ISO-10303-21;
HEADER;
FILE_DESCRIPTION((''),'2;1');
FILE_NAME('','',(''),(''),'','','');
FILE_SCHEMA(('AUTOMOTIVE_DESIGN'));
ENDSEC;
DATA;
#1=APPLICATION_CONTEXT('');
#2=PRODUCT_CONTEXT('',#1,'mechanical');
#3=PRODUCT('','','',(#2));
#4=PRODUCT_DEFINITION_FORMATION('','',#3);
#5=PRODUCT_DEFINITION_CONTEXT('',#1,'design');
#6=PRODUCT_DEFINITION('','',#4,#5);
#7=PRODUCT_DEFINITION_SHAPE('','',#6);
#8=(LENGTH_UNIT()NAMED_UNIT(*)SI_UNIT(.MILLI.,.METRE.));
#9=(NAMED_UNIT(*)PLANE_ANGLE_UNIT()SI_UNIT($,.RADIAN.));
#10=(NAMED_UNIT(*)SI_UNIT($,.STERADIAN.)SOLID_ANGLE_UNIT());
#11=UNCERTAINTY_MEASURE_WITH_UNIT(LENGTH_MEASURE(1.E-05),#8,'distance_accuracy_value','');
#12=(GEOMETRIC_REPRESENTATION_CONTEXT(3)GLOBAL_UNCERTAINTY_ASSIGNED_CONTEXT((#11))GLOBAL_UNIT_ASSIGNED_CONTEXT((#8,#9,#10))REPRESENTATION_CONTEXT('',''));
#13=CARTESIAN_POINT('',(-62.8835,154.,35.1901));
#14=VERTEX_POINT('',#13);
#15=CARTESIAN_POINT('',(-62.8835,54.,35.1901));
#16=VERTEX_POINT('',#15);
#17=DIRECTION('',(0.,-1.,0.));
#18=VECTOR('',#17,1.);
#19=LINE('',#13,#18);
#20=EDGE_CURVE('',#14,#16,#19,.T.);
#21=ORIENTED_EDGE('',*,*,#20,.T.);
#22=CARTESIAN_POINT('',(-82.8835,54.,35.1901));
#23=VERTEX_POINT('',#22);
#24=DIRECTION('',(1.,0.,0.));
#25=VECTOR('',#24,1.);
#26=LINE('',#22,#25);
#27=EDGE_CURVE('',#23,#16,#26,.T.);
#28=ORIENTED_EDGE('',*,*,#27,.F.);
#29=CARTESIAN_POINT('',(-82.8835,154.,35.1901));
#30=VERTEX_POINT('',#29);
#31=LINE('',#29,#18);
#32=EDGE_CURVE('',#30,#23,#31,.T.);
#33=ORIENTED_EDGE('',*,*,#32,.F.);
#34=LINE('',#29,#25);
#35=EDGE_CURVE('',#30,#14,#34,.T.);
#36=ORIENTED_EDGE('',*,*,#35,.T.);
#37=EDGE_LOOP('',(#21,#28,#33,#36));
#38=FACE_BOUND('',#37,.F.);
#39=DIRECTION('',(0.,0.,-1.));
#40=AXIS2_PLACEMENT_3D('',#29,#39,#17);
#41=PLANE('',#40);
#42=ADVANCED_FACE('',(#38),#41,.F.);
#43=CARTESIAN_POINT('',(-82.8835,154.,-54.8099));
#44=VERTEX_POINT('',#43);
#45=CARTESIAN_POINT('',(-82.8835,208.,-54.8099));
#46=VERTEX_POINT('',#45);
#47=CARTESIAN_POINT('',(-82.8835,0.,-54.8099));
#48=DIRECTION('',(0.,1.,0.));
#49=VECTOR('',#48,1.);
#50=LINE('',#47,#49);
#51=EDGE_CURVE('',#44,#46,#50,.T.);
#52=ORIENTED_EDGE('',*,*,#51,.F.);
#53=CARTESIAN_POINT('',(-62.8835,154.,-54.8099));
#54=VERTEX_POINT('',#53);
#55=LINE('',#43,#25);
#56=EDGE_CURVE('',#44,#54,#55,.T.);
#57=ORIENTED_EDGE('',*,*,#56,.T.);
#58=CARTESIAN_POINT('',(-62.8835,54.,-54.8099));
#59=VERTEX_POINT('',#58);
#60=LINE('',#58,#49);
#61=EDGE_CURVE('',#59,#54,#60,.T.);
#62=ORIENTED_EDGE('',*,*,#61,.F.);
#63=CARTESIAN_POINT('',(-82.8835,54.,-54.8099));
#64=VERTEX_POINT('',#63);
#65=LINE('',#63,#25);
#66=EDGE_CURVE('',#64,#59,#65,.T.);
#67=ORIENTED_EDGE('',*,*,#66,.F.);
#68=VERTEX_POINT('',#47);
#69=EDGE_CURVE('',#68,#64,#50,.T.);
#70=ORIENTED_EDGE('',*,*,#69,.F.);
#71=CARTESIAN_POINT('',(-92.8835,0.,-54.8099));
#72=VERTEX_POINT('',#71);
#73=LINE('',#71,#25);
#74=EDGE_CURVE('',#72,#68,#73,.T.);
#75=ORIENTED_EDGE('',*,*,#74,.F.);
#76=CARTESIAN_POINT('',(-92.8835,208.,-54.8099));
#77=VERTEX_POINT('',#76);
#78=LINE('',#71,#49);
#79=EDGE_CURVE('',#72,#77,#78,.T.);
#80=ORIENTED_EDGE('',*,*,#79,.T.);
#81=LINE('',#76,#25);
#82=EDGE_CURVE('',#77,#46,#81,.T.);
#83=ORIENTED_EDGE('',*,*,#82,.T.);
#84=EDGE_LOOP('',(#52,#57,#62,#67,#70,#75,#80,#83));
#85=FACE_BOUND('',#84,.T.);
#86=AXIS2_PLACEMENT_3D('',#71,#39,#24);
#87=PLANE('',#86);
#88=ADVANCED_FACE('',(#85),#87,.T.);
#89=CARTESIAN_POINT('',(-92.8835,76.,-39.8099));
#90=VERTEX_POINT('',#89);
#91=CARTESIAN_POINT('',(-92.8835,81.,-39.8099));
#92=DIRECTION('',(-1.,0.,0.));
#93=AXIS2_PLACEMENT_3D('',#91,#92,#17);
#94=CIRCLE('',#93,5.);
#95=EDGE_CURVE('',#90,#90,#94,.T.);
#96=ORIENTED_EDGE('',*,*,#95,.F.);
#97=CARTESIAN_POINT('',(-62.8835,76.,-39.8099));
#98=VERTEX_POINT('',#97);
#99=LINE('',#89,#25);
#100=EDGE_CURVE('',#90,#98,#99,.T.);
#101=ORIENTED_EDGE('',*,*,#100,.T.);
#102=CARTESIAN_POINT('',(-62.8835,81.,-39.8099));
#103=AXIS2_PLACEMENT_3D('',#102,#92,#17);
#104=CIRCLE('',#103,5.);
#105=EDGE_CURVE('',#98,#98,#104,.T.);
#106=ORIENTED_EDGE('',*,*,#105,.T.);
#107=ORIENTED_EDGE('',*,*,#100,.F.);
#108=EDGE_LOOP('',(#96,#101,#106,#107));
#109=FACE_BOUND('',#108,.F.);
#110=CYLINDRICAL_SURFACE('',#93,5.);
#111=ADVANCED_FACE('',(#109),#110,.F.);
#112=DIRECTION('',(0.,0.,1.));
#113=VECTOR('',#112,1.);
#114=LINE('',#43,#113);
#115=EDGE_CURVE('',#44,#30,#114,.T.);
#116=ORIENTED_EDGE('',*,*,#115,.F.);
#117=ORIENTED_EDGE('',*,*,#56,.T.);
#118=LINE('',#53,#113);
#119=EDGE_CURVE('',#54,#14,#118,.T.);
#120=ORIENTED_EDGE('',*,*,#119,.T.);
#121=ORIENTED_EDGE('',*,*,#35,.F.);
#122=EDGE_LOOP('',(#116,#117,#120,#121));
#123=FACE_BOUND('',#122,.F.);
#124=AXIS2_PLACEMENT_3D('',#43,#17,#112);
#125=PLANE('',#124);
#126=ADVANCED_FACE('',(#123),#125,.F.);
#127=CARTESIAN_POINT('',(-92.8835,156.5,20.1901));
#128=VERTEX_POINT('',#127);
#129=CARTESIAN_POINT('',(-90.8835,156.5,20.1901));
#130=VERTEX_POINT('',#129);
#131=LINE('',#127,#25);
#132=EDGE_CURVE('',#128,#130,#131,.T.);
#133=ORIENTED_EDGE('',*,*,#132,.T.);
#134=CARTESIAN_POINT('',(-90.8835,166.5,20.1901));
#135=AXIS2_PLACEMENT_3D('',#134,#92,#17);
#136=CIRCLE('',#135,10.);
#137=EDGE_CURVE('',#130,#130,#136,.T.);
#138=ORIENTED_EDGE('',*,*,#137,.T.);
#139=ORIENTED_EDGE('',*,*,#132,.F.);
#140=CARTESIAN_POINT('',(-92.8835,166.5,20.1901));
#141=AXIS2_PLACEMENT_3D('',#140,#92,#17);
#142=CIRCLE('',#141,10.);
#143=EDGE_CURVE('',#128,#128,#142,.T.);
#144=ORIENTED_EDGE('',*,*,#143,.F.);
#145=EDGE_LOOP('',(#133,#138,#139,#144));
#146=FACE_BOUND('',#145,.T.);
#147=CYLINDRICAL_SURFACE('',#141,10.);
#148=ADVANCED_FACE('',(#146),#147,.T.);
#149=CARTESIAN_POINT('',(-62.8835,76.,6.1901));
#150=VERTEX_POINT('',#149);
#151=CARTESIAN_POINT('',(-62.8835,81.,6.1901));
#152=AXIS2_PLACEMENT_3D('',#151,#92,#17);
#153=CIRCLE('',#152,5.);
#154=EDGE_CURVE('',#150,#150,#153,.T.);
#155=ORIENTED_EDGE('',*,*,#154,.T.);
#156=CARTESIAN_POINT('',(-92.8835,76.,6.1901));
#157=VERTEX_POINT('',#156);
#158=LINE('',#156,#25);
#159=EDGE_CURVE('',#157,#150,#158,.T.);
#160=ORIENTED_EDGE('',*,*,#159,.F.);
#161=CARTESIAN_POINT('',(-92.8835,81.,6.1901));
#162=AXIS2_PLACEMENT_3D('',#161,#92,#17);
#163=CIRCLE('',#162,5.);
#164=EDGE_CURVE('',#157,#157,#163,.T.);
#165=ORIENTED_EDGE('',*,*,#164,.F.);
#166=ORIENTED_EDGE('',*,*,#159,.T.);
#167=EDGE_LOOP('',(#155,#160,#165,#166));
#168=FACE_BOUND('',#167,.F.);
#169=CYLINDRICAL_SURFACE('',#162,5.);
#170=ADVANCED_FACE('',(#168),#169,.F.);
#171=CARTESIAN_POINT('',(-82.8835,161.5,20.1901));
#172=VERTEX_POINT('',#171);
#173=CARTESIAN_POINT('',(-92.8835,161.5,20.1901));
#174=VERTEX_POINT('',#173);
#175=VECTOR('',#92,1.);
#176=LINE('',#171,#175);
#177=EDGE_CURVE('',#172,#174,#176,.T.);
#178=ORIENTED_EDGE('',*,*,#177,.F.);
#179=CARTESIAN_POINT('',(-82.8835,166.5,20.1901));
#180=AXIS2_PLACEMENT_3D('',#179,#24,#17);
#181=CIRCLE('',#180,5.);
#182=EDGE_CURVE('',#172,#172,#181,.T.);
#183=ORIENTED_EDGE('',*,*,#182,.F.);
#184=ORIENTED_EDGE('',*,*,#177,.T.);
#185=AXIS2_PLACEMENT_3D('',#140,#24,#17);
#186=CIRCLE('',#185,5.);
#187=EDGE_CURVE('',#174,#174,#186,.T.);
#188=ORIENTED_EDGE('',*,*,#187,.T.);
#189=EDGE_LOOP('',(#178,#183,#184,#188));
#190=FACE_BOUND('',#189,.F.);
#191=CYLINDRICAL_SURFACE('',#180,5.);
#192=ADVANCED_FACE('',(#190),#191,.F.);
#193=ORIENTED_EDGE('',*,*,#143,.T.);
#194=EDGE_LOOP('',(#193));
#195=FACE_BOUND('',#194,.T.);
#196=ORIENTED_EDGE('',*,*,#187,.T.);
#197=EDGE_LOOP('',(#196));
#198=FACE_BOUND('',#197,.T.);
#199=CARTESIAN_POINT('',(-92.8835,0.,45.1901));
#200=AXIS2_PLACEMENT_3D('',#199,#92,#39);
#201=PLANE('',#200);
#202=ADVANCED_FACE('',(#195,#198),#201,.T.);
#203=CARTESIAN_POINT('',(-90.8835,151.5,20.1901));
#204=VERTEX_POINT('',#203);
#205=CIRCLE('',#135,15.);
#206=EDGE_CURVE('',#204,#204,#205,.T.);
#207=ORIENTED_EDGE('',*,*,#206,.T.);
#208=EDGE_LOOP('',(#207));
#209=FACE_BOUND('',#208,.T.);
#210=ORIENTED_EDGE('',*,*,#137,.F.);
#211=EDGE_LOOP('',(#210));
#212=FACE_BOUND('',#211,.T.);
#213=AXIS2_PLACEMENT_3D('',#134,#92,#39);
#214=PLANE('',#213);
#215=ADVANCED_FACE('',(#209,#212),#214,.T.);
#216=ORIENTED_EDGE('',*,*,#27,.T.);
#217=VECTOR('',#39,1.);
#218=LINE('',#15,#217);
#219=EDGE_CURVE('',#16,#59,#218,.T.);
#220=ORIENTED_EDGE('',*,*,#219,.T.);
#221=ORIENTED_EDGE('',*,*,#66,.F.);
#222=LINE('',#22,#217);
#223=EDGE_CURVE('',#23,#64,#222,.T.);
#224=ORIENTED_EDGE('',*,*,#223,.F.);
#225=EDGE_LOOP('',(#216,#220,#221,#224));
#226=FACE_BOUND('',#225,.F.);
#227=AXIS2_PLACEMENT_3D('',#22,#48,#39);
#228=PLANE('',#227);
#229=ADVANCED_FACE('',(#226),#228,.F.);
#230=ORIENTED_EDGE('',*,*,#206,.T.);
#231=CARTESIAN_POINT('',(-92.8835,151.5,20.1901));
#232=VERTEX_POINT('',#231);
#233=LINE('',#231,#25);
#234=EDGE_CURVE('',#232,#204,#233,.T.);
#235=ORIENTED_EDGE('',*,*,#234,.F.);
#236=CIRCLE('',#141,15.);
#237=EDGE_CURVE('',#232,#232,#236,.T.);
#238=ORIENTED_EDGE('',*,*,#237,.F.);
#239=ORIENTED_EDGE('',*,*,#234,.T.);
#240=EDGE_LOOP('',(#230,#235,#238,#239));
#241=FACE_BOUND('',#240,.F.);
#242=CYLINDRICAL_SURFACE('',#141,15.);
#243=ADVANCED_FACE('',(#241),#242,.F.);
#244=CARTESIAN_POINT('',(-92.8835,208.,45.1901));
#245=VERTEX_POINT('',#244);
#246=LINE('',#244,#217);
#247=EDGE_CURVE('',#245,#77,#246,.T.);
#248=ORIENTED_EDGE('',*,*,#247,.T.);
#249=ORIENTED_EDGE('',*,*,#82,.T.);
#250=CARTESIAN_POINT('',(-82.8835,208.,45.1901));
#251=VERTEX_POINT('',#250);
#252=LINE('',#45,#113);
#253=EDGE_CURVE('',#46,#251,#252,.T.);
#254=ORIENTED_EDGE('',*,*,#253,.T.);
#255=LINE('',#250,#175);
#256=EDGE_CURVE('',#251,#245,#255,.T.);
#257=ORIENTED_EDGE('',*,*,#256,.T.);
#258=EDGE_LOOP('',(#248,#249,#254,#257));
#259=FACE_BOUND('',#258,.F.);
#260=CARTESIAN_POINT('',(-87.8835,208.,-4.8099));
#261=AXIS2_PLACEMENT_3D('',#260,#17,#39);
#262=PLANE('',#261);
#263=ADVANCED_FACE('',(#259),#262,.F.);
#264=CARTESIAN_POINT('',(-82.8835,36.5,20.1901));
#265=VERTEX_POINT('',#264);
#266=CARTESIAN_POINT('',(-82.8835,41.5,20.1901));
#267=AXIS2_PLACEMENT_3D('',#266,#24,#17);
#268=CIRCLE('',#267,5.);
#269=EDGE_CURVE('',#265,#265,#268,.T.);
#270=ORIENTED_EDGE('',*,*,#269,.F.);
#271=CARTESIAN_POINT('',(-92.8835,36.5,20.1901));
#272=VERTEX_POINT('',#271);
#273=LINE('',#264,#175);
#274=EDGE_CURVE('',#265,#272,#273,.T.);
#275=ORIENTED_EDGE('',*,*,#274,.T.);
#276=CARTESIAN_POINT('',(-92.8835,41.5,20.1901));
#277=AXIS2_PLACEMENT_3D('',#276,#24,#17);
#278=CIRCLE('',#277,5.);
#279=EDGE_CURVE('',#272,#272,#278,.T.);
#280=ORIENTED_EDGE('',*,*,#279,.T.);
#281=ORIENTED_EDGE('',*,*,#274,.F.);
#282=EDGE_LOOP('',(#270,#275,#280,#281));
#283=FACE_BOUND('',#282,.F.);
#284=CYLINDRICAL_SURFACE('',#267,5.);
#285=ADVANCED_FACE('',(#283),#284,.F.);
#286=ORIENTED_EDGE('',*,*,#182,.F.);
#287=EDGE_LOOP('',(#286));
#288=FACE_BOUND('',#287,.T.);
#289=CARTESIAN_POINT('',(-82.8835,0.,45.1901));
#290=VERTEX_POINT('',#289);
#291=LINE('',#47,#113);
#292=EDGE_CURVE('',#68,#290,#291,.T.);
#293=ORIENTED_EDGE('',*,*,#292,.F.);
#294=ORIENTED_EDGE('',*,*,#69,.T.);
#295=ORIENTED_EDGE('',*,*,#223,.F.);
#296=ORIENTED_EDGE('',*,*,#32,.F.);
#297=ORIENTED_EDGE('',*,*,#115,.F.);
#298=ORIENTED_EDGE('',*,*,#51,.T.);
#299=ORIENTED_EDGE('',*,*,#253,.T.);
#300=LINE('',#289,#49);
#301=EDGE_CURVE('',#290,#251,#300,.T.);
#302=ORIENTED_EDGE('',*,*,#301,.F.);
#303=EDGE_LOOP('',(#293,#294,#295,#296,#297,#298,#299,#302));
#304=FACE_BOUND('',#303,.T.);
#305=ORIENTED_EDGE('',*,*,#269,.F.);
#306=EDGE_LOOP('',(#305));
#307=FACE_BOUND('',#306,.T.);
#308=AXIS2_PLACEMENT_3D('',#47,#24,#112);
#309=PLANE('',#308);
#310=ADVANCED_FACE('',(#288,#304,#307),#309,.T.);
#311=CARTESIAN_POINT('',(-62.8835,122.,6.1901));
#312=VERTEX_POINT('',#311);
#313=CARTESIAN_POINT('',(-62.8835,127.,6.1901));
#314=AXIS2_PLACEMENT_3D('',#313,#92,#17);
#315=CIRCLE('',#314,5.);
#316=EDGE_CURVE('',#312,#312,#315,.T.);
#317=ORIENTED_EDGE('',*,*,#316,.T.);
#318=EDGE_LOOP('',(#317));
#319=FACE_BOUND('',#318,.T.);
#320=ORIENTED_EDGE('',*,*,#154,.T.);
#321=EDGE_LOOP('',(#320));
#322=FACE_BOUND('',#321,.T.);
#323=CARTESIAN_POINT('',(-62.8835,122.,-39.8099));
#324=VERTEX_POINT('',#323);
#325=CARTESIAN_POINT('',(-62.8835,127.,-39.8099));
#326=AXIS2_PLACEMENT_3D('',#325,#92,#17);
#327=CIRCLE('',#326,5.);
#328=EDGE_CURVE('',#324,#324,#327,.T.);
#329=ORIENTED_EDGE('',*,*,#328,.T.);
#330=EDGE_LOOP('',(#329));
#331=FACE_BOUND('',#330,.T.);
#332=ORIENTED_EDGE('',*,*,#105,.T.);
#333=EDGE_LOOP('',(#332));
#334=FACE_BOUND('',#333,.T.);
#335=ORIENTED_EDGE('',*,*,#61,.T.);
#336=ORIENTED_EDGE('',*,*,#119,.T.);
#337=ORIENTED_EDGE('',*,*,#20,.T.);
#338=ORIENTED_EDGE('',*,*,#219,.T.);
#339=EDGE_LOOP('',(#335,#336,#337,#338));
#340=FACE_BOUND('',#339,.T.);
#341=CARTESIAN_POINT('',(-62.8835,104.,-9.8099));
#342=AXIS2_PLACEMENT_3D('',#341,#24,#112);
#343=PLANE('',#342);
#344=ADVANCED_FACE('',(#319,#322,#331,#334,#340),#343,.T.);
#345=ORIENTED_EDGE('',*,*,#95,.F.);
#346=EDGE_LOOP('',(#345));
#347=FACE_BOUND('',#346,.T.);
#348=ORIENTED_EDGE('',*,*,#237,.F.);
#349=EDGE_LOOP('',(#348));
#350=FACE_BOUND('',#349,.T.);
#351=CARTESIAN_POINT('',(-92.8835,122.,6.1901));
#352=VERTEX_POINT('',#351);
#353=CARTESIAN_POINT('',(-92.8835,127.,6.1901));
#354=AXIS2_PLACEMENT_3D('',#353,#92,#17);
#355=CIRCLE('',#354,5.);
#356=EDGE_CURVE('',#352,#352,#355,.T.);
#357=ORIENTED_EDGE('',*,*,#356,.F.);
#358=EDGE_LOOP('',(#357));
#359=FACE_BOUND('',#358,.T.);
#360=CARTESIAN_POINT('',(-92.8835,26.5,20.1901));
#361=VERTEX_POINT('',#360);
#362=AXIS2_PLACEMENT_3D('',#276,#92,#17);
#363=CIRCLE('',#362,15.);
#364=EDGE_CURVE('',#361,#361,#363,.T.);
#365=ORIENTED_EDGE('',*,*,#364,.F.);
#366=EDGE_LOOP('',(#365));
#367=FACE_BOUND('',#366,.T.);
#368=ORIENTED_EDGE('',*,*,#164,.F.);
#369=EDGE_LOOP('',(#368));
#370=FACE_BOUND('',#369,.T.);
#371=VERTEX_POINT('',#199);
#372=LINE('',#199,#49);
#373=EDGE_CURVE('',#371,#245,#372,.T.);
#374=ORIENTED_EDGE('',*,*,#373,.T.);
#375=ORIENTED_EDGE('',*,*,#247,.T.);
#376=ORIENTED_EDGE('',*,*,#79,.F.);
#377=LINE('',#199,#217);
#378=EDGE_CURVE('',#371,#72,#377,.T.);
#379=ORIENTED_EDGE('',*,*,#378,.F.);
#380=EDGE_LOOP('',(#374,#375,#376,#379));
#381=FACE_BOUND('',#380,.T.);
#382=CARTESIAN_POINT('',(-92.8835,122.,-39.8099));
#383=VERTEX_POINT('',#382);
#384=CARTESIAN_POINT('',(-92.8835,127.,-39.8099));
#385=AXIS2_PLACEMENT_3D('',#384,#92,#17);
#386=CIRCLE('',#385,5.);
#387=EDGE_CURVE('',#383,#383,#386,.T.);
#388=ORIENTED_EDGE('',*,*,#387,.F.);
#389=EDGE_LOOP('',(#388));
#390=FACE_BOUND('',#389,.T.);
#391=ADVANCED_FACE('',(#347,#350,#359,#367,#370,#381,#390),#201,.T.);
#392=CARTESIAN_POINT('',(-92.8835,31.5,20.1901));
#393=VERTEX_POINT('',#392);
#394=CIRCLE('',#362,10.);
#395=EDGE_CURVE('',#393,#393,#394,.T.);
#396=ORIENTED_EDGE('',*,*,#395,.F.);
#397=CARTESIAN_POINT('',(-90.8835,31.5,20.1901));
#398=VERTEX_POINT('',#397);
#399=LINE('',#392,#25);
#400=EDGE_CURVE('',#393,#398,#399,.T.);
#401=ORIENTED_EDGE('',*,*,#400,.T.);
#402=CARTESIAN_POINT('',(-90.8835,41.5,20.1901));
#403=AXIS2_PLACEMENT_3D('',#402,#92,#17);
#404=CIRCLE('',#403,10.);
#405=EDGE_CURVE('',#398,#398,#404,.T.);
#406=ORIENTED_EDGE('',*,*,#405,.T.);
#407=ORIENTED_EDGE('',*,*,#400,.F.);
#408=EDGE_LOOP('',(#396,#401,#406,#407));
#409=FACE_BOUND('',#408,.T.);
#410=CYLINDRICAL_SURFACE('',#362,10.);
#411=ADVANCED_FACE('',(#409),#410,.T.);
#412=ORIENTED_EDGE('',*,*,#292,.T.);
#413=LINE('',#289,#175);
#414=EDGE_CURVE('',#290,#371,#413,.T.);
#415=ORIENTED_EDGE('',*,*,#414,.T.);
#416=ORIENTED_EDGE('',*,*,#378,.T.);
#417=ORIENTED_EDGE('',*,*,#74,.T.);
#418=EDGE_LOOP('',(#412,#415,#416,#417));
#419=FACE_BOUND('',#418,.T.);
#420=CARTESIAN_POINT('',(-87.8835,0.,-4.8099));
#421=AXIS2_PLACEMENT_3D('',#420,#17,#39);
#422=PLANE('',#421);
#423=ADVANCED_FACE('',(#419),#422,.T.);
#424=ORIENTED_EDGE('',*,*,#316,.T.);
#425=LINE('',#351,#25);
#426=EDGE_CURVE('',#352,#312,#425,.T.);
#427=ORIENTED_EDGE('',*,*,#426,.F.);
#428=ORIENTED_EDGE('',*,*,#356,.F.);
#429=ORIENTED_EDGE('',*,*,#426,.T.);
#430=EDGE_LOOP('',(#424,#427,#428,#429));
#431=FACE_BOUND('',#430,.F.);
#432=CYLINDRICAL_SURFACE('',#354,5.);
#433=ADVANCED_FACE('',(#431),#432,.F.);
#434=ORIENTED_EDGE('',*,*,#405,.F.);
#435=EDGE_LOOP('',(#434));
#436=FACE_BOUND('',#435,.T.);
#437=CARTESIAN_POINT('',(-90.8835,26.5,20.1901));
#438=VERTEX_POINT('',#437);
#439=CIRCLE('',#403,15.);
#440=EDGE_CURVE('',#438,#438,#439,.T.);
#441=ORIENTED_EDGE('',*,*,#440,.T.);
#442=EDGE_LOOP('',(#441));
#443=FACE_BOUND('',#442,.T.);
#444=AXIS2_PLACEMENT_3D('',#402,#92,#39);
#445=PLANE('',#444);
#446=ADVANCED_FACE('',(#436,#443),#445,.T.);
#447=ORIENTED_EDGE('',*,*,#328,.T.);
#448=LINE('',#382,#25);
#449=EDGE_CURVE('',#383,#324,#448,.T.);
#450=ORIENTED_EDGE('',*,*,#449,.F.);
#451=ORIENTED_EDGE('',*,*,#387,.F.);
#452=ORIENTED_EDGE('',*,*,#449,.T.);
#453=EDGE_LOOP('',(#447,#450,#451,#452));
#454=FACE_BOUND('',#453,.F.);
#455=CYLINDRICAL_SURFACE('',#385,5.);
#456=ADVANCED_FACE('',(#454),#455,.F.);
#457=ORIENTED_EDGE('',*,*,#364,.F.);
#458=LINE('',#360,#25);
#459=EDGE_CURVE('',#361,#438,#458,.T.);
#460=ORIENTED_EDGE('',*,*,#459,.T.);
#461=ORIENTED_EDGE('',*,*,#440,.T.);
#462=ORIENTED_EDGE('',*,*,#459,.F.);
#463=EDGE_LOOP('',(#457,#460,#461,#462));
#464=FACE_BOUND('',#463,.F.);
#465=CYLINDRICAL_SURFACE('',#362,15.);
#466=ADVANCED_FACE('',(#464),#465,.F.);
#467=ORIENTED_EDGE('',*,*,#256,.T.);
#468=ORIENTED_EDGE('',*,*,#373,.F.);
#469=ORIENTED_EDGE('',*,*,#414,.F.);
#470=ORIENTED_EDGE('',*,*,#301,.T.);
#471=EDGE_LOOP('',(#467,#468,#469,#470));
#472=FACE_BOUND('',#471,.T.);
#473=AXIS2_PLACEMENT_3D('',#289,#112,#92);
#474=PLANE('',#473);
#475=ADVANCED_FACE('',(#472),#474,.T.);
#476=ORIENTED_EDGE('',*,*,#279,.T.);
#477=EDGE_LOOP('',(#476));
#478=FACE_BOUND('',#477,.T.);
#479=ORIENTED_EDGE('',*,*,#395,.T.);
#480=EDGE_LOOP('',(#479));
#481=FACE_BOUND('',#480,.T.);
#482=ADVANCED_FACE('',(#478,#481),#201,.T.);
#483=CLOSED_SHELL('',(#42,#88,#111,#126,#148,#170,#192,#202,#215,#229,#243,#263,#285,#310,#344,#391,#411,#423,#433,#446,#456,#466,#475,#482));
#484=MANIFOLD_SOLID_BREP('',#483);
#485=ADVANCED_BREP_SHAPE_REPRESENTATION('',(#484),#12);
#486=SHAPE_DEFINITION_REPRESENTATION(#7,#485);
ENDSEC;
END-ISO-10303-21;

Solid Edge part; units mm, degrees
sketch "Sketch1" plane through (0, 0, 0) normal (0, -1, 0) x (1, 0, 0)
  line L0 (-92.8835, -54.8099) -> (-82.8835, -54.8099)
  line L1 (-82.8835, -54.8099) -> (-82.8835, 45.1901)
  line L2 (-82.8835, 45.1901) -> (-92.8835, 45.1901)
  line L3 (-92.8835, 45.1901) -> (-92.8835, -54.8099)
  dimension "D1" = 10
  dimension "D2" = 100
extrude "Protrusion1" add sketch "Sketch1" against normal blind 208
sketch "Sketch2" plane through (-82.8835, 104, 0.1901) normal (1, 0, 0) x (0, -1, 0)
  line L0 (-50, -35) -> (50, -35)
  line L1 (50, -35) -> (50, 55)
  line L2 (50, 55) -> (-50, 55)
  line L3 (-50, 55) -> (-50, -35)
  dimension "D1" = 90
  dimension "D2" = 100
extrude "Protrusion2" add sketch "Sketch2" along normal blind 20
sketch "Sketch3" plane through (-82.8835, 100, 10.1901) normal (1, 0, 0) x (0, -1, 0)
  circle A0 centre (58.5, -10) radius 5
  circle A1 centre (-66.5, -10) radius 5
  dimension "D1" = 10
  dimension "D2" = 10
  dimension "D3" = 125
  dimension "D4" = 25
  dimension "D5" = 62.5
extrude "Cutout1" cut sketch "Sketch3" against normal through all
extrude "ExtrudedCutout_6" [suppressed]
sketch "Sketch4" plane through (-92.8835, 145.5, -4.8099) normal (-1, 0, 0) x (0, 1, 0)
  circle A0 centre (-18.5, 35) radius 3
  circle A1 centre (-18.5, -11) radius 3
  circle A2 centre (-64.5, -11) radius 3
  circle A3 centre (-64.5, 35) radius 3
  dimension "D1" = 46
  dimension "D2" = 46
  dimension "D3" = 6
  dimension "D4" = 6
  dimension "D5" = 6
  dimension "D6" = 6
  dimension "D7" = 15
  dimension "D8" = 23
extrude "Cutout2" cut sketch "Sketch4" against normal through all
sketch "Sketch5" plane through (-92.8835, 145.5, 0.1901) normal (-1, 0, 0) x (0, -1, 0)
  circle A0 centre (18.5, -40) radius 5
  circle A1 centre (64.5, -40) radius 5
  circle A2 centre (64.5, 6) radius 5
  circle A3 centre (18.5, 6) radius 5
  dimension "D1" = 10
  dimension "D2" = 10
  dimension "D3" = 10
  dimension "D4" = 10
extrude "Cutout3" cut sketch "Sketch5" against normal up to vertex (40 mm away)
sketch "Sketch6" plane through (-92.8835, 104, -4.8099) normal (-1, 0, 0) x (0, -1, 0)
  circle A0 centre (62.5, 25) radius 15
  circle A1 centre (-62.5, 25) radius 10
  circle A2 centre (62.5, 25) radius 10
  circle A3 centre (-62.5, 25) radius 15
  dimension "D1" = 30
  dimension "D2" = 30
  dimension "D3" = 20
  dimension "D4" = 20
extrude "ExtrudedCutout_9" cut sketch "Sketch6" against normal blind 2
properties material "Aluminum, 6061-T6"
